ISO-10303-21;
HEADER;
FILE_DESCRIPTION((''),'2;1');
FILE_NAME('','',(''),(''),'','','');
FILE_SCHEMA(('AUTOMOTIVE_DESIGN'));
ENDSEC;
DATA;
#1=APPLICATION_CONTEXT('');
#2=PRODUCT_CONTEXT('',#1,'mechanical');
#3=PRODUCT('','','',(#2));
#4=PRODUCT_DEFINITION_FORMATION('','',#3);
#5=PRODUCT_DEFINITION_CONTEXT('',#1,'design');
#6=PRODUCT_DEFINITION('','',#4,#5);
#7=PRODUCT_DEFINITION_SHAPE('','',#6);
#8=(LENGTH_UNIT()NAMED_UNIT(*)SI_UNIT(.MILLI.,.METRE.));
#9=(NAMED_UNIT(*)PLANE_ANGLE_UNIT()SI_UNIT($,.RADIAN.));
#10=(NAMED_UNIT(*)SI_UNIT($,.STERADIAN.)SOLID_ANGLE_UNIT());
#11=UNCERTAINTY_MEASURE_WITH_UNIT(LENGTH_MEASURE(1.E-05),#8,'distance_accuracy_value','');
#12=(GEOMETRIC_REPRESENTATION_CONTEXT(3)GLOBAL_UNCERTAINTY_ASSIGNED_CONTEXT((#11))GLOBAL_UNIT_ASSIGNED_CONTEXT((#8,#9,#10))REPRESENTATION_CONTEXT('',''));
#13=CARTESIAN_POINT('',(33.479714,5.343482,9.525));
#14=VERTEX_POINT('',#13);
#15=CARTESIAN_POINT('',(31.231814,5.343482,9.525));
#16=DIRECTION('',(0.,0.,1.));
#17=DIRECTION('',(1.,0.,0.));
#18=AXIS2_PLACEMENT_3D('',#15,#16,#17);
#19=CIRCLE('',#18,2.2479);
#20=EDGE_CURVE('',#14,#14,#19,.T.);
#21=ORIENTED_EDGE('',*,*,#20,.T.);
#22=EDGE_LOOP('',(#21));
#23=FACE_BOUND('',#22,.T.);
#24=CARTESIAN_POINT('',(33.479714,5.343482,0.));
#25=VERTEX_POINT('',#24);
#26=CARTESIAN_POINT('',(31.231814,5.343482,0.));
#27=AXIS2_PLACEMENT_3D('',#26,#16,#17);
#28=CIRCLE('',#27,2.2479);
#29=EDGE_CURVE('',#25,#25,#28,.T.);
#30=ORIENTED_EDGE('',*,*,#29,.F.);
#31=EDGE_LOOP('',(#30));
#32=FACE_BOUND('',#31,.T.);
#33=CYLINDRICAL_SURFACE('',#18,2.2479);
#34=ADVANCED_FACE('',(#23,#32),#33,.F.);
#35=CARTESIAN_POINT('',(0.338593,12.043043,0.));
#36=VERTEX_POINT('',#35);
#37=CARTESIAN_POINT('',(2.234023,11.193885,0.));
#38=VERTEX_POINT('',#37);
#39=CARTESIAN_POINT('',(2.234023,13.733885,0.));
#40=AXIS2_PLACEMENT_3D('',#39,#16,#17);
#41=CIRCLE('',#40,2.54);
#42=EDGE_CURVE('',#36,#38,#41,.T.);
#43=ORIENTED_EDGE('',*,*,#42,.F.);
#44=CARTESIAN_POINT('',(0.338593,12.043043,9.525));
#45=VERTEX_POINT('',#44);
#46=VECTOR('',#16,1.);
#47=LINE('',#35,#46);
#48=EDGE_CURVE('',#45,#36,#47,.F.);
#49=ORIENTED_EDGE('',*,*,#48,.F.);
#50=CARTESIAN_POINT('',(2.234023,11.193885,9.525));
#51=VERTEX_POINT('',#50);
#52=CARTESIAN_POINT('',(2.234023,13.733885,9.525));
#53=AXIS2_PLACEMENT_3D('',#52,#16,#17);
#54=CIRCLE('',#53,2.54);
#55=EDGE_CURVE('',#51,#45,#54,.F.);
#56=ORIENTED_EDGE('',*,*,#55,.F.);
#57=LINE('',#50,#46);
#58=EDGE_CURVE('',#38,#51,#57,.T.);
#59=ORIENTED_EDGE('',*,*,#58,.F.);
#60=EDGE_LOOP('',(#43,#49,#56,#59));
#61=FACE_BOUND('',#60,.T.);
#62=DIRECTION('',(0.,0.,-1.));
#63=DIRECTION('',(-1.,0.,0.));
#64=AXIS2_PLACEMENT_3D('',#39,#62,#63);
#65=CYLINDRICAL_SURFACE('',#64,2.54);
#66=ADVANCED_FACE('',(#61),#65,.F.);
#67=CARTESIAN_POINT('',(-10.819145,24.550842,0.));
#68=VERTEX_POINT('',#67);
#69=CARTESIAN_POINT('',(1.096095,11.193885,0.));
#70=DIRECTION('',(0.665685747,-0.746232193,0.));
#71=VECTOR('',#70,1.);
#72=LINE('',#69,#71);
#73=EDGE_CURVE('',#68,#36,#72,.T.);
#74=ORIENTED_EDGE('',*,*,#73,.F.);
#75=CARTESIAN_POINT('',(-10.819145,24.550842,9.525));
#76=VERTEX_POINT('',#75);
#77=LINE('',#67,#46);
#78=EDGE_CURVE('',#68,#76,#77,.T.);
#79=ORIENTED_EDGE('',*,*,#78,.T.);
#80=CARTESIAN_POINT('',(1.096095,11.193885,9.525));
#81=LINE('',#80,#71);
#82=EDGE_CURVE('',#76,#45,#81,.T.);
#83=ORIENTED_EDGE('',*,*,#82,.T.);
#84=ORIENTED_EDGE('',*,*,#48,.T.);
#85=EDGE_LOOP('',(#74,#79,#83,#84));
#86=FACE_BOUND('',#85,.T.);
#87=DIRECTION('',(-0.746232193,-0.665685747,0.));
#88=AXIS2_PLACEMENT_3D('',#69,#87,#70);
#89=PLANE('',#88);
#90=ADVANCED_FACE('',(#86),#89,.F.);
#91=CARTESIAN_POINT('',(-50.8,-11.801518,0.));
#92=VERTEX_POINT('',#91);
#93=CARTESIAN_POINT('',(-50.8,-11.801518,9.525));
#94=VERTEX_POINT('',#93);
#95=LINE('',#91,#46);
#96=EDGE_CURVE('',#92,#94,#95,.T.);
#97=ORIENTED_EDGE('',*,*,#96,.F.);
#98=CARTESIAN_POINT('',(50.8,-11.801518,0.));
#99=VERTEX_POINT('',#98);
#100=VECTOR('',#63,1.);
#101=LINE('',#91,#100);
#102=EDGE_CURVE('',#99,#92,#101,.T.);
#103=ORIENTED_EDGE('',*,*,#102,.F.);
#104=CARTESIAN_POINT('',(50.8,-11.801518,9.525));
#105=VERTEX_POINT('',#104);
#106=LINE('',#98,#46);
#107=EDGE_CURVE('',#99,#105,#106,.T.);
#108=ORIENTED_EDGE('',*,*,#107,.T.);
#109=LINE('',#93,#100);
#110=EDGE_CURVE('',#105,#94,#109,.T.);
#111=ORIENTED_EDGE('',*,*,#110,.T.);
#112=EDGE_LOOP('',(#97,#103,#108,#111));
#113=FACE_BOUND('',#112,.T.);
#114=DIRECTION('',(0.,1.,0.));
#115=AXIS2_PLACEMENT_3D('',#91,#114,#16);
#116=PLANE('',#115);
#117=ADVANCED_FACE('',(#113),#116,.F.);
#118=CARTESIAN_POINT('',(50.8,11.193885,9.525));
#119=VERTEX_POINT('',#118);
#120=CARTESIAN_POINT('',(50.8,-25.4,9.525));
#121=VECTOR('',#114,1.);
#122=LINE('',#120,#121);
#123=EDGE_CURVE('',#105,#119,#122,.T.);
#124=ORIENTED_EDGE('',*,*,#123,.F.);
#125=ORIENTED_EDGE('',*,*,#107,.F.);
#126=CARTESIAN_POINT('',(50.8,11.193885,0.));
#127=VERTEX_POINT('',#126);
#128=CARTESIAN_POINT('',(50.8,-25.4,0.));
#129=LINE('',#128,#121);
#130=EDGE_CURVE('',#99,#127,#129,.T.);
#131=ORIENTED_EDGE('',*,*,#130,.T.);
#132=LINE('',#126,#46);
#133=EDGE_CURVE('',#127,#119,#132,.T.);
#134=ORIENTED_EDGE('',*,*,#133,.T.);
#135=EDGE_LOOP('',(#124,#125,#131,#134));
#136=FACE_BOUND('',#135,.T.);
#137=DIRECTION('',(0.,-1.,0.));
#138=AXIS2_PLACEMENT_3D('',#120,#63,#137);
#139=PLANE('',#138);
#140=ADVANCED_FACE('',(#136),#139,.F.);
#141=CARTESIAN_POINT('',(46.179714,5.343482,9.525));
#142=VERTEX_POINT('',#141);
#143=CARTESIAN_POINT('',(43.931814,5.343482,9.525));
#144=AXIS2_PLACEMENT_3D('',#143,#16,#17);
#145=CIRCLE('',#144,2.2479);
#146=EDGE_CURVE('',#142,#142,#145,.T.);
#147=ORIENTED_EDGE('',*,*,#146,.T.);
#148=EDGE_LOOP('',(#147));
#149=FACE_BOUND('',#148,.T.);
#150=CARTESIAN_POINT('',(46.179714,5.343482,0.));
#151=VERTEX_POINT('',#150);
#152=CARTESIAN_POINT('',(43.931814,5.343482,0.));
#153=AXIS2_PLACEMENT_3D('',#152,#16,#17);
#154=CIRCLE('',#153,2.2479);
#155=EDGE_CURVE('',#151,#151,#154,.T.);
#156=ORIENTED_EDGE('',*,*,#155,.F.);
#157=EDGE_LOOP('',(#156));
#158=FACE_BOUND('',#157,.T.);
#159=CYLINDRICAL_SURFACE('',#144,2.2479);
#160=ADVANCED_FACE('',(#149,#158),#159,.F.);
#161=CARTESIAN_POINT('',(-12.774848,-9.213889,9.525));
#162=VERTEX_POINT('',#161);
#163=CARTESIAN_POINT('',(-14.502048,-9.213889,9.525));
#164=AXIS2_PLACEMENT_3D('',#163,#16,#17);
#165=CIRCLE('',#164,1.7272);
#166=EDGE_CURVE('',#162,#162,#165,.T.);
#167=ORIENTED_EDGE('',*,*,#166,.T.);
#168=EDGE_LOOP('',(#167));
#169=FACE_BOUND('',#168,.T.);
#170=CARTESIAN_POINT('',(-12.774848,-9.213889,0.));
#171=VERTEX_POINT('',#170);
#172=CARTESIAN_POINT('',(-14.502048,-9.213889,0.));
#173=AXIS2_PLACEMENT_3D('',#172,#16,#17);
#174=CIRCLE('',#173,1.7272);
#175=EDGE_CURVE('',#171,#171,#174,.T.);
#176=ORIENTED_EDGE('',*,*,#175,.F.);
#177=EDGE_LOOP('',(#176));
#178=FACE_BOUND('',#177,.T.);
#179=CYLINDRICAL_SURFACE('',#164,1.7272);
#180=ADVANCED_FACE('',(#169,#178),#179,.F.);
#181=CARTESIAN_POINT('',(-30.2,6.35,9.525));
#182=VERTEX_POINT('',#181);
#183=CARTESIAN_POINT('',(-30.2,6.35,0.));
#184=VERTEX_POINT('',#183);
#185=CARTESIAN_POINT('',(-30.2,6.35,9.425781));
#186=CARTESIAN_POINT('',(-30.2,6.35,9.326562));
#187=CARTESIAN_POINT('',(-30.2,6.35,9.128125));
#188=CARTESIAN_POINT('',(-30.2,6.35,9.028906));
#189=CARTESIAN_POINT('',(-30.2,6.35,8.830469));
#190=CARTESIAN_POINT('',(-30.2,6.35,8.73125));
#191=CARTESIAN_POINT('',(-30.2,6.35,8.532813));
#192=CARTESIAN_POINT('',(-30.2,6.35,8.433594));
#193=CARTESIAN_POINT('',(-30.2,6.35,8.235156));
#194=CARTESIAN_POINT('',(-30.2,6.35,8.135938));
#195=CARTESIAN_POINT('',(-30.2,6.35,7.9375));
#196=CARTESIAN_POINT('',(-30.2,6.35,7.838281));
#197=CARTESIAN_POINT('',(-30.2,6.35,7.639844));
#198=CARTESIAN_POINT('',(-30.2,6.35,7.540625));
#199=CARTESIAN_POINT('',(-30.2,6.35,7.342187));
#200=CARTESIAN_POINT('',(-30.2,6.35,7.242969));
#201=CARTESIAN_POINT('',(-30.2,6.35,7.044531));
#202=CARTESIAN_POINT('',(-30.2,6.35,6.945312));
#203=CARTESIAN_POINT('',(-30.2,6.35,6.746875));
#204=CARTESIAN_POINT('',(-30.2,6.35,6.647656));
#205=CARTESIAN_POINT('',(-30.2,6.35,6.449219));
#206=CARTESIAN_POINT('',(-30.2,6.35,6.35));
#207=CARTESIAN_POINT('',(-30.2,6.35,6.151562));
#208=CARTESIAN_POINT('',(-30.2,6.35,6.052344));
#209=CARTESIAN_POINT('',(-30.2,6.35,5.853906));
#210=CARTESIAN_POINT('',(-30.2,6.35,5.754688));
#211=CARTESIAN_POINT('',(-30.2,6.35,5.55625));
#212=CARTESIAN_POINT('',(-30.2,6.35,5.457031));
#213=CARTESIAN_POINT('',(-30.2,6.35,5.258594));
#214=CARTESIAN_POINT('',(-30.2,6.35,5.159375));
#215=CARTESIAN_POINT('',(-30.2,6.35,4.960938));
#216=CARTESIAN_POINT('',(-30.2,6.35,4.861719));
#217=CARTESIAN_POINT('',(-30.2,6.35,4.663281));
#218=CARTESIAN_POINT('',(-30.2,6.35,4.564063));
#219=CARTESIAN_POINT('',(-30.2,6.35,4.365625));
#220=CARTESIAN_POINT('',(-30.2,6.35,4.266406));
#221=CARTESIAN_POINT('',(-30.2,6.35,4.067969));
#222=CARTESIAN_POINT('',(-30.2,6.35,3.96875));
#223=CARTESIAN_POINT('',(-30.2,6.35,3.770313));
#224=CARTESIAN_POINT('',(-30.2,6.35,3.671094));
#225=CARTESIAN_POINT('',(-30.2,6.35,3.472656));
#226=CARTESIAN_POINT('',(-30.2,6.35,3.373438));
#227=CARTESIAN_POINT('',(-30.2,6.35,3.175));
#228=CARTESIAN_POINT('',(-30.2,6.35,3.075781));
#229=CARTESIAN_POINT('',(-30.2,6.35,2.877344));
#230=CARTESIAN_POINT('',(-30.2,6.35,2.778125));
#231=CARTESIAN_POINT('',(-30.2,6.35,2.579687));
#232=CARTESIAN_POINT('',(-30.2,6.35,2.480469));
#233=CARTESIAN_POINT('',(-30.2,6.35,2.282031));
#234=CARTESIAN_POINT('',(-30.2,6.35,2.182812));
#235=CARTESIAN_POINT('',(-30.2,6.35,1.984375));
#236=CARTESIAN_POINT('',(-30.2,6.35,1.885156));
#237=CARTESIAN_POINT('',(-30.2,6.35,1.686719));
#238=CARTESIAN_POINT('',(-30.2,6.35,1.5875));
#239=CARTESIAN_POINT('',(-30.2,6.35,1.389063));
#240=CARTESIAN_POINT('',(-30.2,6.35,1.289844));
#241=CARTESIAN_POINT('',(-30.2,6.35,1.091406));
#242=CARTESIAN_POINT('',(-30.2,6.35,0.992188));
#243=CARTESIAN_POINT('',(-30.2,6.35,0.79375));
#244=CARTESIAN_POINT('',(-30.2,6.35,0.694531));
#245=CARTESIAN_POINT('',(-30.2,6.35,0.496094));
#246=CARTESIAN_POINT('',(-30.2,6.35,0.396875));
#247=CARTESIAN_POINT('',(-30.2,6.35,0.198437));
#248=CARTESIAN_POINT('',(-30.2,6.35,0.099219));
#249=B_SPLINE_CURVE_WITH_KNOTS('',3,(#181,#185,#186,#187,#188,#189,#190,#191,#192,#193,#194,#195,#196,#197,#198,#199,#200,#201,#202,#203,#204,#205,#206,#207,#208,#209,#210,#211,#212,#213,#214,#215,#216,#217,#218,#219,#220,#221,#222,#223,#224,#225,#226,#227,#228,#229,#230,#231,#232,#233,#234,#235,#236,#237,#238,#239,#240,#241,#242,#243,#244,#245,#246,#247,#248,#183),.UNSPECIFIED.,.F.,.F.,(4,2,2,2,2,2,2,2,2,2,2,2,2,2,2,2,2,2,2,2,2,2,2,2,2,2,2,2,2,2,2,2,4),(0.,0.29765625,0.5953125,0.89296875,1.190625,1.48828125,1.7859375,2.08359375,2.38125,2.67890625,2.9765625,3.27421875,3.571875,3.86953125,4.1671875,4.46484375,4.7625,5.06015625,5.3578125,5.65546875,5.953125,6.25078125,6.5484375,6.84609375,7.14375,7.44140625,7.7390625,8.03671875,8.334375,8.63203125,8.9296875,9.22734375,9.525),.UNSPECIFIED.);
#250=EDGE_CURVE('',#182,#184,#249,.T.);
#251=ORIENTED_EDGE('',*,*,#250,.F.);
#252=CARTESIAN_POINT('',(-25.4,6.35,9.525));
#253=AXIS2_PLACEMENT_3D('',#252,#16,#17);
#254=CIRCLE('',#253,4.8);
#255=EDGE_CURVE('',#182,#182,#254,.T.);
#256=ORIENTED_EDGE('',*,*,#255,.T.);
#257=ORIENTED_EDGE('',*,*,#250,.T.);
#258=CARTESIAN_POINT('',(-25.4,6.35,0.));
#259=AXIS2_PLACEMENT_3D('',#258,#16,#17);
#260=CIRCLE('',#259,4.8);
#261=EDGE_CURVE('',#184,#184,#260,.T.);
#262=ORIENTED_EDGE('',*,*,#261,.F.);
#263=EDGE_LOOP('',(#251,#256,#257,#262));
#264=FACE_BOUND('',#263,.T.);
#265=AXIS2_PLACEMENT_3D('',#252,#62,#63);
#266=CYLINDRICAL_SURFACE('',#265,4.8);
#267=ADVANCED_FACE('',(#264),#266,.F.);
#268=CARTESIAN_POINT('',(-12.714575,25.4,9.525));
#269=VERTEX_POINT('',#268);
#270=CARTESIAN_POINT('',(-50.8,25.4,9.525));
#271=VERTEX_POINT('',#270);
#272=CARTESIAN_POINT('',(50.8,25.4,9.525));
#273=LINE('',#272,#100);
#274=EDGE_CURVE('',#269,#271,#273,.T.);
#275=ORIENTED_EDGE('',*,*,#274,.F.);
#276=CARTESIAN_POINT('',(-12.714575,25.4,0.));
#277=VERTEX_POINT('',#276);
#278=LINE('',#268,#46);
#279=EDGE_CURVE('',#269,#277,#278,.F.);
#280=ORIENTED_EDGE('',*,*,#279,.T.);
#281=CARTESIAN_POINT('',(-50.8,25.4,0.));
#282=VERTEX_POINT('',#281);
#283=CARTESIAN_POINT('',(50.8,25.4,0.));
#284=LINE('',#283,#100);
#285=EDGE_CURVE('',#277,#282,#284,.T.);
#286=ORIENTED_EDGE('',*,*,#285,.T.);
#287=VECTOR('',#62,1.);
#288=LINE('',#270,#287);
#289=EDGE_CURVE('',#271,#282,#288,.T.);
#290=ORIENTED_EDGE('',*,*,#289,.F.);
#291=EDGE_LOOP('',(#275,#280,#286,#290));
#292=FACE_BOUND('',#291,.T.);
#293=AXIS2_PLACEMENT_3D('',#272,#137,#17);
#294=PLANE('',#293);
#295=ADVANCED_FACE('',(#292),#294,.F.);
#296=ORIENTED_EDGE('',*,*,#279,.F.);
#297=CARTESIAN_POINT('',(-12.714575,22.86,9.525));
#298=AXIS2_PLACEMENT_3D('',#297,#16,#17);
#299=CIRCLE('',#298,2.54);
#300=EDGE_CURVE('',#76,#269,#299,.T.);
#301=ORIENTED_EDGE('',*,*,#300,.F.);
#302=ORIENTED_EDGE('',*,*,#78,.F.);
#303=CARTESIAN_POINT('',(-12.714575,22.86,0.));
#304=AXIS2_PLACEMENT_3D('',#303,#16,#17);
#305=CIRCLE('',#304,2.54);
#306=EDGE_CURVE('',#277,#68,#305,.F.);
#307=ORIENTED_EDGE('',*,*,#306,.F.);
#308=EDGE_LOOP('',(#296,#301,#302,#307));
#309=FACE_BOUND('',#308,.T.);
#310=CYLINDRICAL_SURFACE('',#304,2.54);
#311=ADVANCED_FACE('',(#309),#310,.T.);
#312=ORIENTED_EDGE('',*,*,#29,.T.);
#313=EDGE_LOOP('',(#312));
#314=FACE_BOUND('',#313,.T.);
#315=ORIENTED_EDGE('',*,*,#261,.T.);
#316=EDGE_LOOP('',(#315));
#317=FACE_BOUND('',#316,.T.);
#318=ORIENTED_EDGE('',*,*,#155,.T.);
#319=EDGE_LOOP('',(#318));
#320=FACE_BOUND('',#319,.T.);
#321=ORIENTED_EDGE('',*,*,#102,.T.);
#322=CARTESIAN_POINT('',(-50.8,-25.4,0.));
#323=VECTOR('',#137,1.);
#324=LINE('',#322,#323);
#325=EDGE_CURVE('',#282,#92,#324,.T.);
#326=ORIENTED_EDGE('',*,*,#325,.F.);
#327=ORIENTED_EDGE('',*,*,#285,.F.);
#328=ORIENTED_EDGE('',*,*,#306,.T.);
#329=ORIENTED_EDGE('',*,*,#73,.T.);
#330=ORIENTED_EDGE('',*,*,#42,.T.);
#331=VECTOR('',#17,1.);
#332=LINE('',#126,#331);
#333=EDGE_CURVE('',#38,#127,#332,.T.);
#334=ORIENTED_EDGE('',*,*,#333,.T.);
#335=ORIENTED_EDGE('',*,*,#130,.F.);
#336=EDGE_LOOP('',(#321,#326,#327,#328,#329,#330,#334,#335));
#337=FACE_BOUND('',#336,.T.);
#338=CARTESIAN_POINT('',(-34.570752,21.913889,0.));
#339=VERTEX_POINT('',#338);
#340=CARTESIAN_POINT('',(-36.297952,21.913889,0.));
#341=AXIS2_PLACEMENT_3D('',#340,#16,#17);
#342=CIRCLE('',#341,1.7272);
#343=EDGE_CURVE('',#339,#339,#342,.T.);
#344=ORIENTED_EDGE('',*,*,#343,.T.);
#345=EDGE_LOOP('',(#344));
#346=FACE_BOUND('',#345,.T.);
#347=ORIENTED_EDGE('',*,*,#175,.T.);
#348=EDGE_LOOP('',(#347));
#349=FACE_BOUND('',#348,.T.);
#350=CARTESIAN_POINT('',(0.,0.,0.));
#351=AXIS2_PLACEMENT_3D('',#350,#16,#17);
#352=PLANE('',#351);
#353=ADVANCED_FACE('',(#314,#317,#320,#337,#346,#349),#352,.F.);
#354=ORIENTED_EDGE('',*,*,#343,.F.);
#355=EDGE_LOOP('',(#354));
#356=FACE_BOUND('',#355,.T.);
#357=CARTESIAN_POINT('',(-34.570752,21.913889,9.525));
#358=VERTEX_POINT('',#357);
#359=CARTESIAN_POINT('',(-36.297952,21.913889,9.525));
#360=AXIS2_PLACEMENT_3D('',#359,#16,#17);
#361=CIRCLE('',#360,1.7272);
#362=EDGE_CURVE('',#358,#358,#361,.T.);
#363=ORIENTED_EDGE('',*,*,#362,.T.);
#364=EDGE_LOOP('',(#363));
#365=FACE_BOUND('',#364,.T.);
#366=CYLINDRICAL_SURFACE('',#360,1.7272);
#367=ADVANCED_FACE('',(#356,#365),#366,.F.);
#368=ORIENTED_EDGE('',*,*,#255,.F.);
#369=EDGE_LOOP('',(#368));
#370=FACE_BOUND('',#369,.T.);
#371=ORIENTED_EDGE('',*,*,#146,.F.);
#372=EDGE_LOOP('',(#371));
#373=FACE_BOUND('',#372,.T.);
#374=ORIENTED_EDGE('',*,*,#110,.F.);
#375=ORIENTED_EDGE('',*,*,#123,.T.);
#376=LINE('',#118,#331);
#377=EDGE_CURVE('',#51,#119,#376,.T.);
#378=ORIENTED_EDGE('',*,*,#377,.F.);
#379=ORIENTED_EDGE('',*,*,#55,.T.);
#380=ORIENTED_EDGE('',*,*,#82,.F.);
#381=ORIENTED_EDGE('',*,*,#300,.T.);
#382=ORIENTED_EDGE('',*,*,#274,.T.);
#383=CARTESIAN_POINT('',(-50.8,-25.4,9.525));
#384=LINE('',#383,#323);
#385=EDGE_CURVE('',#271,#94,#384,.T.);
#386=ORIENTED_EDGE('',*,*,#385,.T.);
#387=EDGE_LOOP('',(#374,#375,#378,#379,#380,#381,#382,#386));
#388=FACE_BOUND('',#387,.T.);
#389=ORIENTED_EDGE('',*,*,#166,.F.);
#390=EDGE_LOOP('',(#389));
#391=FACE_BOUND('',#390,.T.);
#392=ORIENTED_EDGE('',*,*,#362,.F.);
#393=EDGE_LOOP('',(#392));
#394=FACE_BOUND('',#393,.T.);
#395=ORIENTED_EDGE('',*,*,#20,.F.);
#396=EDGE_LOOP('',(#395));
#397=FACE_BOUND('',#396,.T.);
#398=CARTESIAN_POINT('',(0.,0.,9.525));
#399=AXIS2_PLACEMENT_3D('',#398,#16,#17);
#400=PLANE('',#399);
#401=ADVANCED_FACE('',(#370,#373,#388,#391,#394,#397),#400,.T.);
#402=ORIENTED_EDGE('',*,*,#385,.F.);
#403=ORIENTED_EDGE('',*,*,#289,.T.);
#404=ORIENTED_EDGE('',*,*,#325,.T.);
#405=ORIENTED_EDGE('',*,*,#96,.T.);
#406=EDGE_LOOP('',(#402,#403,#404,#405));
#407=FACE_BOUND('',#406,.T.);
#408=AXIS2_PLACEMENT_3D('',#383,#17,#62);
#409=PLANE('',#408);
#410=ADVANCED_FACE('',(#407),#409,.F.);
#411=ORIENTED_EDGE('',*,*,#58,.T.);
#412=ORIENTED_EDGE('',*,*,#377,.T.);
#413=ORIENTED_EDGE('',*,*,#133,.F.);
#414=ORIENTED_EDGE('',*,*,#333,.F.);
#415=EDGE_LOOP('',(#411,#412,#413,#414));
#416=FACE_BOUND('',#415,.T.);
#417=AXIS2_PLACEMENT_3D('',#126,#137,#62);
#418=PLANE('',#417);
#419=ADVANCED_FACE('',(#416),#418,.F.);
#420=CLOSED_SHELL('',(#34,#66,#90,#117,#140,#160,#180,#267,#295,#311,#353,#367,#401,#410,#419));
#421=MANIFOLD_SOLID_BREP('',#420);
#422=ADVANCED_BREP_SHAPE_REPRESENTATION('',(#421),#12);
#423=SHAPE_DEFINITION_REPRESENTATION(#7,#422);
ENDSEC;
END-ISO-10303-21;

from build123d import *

# Parameters (mm, degrees)
SKETCH1_W                 = 101.6
SKETCH1_H                 = 50.8
BOSS_EXTRUDE1_DEPTH       = 9.525
SKETCH6_R                 = 4.8
CUT_EXTRUDE1_DEPTH        = 58.589283942
TAP_DRILL_FOR_8_32_TAP1_D = 3.4544
F_8_CLEARANCE_HOLE1_D     = 4.4958
SKETCH10_W                = 101.6
SKETCH10_H                = 37.138907791
CUT_EXTRUDE2_DEPTH        = 58.589283942
CUT_EXTRUDE3_DEPTH        = 58.589283942
FILLET1_R                 = 2.54


with BuildPart() as part:
    # Sketch1 → Boss-Extrude1 (new body)
    with BuildSketch(Plane.XY):
        Rectangle(SKETCH1_W, SKETCH1_H)
    extrude(amount=BOSS_EXTRUDE1_DEPTH)

    # Sketch6 → Cut-Extrude1 (cut, through all)
    with BuildSketch(Plane.XY):
        with Locations(Location((-25.4, 6.35, 0), (0, 0, 180))):
            Circle(SKETCH6_R)
    extrude(amount=CUT_EXTRUDE1_DEPTH, mode=Mode.SUBTRACT)

    # Tap Drill for #8-32 Tap1 (through all)
    with Locations(Plane.XY.offset(9.525)):
        with Locations((-14.502047709, -9.213888841), (-36.297952291, 21.913888841)):
            Hole(TAP_DRILL_FOR_8_32_TAP1_D / 2)

    # #8 Clearance Hole1 (through all)
    with Locations(Plane.XY.offset(9.525)):
        with Locations((31.231814057, 5.34348178), (43.931814057, 5.34348178)):
            Hole(F_8_CLEARANCE_HOLE1_D / 2)

    # Sketch10 → Cut-Extrude2 (cut, through all)
    with BuildSketch(Plane.XY.offset(9.525)):
        with Locations((0, -30.370972115)):
            Rectangle(SKETCH10_W, SKETCH10_H)
    extrude(amount=-CUT_EXTRUDE2_DEPTH, mode=Mode.SUBTRACT)

    # Sketch11 → Cut-Extrude3 (cut, through all)
    with BuildSketch(Plane.XY.offset(9.525)):
        Polygon((50.8, 11.193885079), (1.096095255, 11.193885079), (-11.576646979, 25.4), (50.8, 25.4), align=None)
    extrude(amount=-CUT_EXTRUDE3_DEPTH, mode=Mode.SUBTRACT)

    # Fillet1
    fillet1_edges = [part.edges().sort_by_distance(p)[0] for p in [
        (1.096095255, 11.193885079, 4.7625),
        (-11.576646979, 25.4, 4.7625),
    ]]
    fillet(fillet1_edges, radius=FILLET1_R)


solid = part.part
